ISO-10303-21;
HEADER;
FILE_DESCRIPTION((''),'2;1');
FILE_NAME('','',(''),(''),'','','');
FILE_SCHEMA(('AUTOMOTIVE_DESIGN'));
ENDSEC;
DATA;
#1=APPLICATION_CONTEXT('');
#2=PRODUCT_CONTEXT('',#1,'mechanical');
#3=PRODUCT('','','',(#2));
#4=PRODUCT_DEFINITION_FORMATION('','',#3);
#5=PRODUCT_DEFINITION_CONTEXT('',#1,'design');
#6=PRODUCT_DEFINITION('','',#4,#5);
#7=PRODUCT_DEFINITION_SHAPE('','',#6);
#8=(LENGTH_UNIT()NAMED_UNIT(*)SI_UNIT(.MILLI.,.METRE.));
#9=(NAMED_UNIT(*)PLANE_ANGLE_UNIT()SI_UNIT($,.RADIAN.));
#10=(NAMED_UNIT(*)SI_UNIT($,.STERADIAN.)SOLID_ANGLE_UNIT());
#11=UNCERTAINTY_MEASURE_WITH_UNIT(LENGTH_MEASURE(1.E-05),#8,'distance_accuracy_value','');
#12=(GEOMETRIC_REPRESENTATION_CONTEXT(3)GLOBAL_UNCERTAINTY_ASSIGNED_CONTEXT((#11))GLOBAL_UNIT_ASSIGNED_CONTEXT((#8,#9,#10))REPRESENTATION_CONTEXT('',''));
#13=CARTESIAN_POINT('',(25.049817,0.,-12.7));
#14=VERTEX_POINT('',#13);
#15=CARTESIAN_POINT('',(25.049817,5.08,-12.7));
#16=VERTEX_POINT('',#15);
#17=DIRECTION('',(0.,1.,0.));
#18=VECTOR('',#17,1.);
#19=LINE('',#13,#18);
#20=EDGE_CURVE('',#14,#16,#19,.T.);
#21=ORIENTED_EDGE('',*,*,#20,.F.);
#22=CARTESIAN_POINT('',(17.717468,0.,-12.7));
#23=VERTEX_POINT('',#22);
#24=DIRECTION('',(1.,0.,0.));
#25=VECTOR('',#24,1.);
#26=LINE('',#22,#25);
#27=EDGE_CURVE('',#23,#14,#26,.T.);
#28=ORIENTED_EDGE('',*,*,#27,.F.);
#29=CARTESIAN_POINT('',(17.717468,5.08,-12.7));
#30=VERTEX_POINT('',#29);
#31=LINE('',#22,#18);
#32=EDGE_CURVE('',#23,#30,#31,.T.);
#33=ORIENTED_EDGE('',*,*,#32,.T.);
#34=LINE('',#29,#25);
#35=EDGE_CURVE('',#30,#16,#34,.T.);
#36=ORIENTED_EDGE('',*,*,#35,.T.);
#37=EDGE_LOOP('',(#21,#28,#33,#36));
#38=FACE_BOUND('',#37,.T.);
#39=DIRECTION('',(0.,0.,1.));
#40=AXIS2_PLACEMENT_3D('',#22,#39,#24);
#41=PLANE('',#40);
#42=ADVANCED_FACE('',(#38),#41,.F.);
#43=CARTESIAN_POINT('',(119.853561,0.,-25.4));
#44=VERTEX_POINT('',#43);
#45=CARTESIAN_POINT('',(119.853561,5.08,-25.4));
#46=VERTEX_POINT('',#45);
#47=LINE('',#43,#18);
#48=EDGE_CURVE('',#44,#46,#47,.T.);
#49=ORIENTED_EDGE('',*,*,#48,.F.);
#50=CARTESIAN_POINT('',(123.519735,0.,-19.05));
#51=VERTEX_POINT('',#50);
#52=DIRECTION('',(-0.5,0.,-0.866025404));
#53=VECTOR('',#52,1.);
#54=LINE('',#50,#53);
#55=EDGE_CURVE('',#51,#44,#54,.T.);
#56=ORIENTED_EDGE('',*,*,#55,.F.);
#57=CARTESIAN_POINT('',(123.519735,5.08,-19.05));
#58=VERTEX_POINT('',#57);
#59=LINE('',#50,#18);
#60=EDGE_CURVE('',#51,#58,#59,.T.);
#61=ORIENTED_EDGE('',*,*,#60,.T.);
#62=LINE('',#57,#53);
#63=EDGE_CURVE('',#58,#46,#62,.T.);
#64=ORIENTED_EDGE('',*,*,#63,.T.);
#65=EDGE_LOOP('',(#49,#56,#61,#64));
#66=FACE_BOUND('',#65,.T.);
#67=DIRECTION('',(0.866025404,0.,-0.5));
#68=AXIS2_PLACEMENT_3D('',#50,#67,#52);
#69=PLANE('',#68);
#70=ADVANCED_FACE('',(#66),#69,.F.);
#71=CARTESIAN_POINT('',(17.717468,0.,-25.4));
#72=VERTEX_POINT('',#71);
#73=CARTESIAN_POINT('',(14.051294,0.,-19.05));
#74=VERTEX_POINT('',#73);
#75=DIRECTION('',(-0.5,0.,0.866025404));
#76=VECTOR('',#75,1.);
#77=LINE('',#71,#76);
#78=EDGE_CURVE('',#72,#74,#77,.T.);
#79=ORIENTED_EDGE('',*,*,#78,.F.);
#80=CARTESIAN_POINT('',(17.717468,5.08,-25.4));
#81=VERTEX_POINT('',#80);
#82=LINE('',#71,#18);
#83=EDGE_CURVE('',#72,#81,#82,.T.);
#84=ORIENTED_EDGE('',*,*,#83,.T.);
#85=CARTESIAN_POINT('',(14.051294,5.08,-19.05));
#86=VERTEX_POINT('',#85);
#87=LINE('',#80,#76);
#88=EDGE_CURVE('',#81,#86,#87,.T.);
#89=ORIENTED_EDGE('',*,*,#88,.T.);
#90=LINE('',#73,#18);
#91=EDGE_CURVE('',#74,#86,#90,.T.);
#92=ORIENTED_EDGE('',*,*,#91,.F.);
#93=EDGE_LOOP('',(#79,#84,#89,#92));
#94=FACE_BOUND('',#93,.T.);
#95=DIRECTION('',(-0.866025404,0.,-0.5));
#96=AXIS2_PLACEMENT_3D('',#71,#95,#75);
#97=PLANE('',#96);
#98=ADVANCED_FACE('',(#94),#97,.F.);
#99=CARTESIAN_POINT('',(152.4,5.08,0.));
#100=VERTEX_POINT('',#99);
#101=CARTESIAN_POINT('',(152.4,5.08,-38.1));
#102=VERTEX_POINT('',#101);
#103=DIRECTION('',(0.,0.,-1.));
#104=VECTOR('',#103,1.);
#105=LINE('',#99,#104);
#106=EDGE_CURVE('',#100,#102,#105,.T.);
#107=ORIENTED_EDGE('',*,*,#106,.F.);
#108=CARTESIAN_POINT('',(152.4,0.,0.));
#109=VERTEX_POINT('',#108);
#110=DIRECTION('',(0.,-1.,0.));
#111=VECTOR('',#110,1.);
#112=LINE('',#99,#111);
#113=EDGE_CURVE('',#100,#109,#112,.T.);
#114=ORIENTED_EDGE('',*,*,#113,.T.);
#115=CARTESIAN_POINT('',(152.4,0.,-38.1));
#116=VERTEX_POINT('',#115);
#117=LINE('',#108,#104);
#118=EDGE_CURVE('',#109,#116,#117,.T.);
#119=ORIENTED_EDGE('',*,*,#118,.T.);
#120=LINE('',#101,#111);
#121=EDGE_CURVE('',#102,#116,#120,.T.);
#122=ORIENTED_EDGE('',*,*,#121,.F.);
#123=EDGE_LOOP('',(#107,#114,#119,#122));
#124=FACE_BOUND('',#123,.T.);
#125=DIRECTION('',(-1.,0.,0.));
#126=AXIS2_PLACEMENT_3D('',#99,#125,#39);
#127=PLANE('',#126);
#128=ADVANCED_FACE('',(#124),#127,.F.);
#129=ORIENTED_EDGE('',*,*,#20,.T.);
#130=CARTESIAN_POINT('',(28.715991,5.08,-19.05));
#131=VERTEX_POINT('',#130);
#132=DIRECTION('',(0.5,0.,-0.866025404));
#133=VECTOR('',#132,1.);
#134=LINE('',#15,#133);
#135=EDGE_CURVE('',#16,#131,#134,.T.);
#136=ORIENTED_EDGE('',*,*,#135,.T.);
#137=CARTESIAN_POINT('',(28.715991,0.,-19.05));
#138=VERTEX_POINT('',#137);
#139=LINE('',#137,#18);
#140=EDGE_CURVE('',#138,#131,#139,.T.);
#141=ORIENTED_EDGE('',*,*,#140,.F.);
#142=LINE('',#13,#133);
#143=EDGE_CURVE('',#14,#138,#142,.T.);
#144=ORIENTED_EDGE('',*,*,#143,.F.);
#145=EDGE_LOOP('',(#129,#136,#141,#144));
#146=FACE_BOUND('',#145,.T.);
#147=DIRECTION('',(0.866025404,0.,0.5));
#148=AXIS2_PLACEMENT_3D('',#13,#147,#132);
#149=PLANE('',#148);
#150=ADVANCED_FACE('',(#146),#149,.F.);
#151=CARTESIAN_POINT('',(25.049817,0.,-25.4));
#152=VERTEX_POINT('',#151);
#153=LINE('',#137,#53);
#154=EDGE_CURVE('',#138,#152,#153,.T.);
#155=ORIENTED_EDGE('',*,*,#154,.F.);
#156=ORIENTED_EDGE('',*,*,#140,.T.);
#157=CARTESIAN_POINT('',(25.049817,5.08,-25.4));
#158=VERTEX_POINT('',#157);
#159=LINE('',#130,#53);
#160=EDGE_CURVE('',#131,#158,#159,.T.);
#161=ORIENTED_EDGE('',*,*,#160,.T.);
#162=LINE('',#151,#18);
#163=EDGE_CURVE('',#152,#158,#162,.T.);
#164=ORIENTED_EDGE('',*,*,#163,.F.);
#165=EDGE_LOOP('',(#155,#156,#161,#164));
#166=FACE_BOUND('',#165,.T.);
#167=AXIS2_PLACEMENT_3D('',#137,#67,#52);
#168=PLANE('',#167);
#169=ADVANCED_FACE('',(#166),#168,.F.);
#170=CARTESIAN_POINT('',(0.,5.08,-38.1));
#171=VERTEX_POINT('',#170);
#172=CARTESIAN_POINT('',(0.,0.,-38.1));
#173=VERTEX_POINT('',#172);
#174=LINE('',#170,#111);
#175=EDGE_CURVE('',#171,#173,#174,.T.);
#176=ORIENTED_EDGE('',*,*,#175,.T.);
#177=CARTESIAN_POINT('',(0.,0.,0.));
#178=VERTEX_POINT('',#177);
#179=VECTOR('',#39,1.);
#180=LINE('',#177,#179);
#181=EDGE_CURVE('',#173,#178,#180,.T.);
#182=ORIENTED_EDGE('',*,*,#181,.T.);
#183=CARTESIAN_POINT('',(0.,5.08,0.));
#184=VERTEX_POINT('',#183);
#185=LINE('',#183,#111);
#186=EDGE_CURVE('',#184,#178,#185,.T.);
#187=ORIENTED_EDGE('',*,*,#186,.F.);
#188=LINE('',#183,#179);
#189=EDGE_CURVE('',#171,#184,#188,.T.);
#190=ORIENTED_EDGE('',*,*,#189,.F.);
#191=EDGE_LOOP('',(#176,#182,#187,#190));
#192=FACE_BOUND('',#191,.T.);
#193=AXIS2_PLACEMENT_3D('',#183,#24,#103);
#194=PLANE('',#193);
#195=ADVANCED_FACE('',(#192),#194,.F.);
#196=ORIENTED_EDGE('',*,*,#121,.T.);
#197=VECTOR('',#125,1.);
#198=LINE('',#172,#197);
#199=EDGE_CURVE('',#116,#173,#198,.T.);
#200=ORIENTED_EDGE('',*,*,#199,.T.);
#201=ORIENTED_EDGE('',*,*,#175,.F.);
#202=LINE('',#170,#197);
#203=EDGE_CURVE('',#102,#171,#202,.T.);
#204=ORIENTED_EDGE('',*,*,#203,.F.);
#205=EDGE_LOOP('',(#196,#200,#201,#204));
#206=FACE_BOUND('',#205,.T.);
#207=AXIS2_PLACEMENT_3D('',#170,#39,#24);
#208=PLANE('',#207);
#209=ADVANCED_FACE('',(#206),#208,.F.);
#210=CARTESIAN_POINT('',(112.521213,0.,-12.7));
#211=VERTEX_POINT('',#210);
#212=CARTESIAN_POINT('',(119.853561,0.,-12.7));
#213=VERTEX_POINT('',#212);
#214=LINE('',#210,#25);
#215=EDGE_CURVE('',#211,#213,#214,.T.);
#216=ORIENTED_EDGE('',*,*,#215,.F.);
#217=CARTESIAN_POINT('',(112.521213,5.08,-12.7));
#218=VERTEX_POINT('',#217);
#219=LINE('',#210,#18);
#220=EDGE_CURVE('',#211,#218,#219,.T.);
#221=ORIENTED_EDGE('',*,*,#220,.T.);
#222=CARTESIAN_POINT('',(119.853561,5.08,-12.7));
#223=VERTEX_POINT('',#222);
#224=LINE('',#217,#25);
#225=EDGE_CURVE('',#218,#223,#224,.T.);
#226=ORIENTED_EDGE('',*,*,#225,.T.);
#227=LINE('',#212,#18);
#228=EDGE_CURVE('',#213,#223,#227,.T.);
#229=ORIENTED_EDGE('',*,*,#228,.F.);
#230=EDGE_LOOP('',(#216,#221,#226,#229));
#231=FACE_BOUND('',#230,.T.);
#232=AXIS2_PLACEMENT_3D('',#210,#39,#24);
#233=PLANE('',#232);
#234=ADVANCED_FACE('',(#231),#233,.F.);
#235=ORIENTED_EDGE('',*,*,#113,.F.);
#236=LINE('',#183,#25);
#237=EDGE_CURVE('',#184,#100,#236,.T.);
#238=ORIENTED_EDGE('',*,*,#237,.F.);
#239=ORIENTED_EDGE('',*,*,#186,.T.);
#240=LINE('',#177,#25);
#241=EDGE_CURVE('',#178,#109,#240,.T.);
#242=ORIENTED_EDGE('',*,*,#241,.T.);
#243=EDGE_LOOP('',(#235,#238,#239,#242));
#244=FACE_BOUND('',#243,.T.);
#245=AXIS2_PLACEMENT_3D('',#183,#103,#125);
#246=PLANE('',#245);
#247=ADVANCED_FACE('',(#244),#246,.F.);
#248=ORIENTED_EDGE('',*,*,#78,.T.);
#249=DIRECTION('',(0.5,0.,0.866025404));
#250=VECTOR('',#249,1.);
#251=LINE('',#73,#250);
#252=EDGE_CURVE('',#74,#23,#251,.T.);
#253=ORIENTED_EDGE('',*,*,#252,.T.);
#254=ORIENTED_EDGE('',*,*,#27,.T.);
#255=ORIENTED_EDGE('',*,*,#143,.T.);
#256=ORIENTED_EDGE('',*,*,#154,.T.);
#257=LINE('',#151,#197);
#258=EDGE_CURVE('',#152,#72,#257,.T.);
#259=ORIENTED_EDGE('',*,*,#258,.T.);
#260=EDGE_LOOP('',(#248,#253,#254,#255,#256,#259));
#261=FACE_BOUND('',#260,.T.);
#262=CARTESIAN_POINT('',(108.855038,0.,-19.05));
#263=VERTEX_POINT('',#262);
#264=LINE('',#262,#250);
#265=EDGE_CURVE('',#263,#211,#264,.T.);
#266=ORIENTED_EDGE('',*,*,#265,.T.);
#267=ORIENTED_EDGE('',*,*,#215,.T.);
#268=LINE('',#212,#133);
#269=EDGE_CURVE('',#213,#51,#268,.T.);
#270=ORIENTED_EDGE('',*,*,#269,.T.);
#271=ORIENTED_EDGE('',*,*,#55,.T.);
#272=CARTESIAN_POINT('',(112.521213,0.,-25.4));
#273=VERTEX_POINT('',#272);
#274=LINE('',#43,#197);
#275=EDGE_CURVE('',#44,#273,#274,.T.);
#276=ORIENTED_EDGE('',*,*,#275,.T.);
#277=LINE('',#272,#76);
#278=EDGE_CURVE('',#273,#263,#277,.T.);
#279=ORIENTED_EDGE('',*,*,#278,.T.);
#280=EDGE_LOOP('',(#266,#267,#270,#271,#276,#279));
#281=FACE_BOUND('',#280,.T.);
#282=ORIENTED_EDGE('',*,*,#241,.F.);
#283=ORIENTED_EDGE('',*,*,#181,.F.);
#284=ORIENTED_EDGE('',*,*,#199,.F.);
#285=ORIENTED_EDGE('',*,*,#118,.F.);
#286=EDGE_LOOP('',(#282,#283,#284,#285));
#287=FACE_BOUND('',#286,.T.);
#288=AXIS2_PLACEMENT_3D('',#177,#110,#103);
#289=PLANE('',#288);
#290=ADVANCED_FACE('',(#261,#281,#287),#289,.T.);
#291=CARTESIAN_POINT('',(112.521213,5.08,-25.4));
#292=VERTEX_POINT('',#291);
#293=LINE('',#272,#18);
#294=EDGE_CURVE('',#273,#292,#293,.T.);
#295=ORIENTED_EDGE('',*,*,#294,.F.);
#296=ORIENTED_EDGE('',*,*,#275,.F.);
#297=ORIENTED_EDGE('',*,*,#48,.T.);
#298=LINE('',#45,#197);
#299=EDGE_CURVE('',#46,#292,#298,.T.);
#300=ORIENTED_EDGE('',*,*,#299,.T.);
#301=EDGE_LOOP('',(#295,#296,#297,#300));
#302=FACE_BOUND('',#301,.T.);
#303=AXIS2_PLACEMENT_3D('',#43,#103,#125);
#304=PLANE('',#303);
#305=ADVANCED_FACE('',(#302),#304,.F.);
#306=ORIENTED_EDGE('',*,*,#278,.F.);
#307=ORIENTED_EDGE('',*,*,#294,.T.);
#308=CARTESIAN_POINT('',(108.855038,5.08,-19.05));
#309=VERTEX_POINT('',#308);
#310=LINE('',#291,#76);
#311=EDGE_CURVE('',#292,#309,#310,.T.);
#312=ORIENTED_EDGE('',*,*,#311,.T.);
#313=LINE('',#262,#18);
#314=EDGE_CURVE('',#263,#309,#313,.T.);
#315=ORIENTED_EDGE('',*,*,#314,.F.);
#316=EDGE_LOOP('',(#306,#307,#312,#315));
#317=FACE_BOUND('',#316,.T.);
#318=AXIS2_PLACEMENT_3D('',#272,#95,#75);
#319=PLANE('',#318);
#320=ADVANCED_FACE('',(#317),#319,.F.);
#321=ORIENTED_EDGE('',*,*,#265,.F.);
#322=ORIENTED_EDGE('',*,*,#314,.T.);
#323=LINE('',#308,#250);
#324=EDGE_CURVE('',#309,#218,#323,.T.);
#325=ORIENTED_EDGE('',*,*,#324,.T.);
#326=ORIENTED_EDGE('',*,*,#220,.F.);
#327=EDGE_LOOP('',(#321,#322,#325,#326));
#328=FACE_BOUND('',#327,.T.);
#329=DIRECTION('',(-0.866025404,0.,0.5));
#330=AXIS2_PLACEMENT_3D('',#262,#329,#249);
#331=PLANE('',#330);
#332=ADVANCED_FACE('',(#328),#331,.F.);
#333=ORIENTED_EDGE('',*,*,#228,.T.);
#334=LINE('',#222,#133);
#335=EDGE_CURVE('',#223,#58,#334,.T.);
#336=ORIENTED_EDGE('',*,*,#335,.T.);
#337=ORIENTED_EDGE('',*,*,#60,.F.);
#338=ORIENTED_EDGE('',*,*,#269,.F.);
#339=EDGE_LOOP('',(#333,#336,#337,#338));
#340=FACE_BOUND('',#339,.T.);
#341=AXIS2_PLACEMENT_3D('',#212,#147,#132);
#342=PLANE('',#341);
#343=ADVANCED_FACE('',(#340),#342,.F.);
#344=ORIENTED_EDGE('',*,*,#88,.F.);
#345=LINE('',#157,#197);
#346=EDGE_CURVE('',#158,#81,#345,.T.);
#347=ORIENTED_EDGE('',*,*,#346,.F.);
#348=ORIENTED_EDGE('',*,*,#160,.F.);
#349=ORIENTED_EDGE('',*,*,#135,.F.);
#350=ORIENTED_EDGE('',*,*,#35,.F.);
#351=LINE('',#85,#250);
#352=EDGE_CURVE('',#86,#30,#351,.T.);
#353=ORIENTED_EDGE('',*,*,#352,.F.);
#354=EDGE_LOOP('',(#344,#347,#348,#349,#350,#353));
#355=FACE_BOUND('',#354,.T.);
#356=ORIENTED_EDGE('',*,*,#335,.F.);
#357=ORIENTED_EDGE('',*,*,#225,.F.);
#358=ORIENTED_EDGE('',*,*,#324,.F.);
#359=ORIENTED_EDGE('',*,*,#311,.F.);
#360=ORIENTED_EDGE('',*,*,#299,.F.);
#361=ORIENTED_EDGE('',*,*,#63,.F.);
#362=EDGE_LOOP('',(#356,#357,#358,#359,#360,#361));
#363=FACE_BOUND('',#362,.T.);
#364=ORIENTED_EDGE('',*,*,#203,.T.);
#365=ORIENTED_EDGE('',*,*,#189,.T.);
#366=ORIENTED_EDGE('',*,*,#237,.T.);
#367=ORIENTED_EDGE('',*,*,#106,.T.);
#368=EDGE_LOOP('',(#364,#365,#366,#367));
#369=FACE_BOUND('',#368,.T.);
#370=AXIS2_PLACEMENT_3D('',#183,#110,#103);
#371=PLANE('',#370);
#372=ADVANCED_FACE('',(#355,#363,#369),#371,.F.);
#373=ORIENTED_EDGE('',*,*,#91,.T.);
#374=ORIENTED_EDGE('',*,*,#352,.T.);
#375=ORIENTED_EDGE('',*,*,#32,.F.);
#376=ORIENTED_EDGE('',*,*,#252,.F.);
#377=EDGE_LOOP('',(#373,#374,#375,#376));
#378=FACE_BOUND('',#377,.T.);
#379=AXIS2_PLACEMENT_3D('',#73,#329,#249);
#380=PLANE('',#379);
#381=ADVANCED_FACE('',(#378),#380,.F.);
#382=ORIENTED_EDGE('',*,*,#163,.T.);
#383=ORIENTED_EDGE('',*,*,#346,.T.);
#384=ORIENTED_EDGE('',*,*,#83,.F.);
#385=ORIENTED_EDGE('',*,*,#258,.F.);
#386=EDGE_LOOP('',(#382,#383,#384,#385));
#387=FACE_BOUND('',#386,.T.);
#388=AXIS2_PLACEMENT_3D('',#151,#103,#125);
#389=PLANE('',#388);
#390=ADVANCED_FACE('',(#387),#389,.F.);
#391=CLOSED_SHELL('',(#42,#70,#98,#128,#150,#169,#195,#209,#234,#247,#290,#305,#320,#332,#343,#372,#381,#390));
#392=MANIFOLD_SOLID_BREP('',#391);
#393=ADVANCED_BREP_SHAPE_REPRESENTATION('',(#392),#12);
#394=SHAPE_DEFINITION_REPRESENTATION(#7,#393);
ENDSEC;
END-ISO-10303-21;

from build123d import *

# Parameters (mm, degrees)
SKETCH1_W           = 152.4
SKETCH1_H           = 38.1
BOSS_EXTRUDE1_DEPTH = 5.08
CUT_EXTRUDE1_DEPTH  = 158.172441605
CUT_EXTRUDE3_DEPTH  = 158.172441605


with BuildPart() as part:
    # Sketch1 → Boss-Extrude1 (new body)
    with BuildSketch(Plane(origin=(0, 0, 0), x_dir=(1, 0, 0), z_dir=(0, 1, 0))):
        with Locations((76.2, 19.05)):
            Rectangle(SKETCH1_W, SKETCH1_H)
    extrude(amount=BOSS_EXTRUDE1_DEPTH)

    # Sketch2 → Cut-Extrude1 (cut, through all)
    with BuildSketch(Plane(origin=(0, 5.08, 0), x_dir=(1, 0, 0), z_dir=(0, 1, 0))):
        Polygon((25.049816881, 12.7), (28.71599109, 19.05), (25.049816881, 25.4), (17.717468462, 25.4), (14.051294253, 19.05), (17.717468462, 12.7), align=None)
    extrude(amount=-CUT_EXTRUDE1_DEPTH, mode=Mode.SUBTRACT)

    # Sketch5 → Cut-Extrude3 (cut, through all)
    with BuildSketch(Plane(origin=(0, 5.08, 0), x_dir=(1, 0, 0), z_dir=(0, 1, 0))):
        Polygon((119.853560994, 25.4), (112.521212575, 25.4), (108.855038366, 19.05), (112.521212575, 12.7), (119.853560994, 12.7), (123.519735203, 19.05), align=None)
    extrude(amount=-CUT_EXTRUDE3_DEPTH, mode=Mode.SUBTRACT)


solid = part.part
